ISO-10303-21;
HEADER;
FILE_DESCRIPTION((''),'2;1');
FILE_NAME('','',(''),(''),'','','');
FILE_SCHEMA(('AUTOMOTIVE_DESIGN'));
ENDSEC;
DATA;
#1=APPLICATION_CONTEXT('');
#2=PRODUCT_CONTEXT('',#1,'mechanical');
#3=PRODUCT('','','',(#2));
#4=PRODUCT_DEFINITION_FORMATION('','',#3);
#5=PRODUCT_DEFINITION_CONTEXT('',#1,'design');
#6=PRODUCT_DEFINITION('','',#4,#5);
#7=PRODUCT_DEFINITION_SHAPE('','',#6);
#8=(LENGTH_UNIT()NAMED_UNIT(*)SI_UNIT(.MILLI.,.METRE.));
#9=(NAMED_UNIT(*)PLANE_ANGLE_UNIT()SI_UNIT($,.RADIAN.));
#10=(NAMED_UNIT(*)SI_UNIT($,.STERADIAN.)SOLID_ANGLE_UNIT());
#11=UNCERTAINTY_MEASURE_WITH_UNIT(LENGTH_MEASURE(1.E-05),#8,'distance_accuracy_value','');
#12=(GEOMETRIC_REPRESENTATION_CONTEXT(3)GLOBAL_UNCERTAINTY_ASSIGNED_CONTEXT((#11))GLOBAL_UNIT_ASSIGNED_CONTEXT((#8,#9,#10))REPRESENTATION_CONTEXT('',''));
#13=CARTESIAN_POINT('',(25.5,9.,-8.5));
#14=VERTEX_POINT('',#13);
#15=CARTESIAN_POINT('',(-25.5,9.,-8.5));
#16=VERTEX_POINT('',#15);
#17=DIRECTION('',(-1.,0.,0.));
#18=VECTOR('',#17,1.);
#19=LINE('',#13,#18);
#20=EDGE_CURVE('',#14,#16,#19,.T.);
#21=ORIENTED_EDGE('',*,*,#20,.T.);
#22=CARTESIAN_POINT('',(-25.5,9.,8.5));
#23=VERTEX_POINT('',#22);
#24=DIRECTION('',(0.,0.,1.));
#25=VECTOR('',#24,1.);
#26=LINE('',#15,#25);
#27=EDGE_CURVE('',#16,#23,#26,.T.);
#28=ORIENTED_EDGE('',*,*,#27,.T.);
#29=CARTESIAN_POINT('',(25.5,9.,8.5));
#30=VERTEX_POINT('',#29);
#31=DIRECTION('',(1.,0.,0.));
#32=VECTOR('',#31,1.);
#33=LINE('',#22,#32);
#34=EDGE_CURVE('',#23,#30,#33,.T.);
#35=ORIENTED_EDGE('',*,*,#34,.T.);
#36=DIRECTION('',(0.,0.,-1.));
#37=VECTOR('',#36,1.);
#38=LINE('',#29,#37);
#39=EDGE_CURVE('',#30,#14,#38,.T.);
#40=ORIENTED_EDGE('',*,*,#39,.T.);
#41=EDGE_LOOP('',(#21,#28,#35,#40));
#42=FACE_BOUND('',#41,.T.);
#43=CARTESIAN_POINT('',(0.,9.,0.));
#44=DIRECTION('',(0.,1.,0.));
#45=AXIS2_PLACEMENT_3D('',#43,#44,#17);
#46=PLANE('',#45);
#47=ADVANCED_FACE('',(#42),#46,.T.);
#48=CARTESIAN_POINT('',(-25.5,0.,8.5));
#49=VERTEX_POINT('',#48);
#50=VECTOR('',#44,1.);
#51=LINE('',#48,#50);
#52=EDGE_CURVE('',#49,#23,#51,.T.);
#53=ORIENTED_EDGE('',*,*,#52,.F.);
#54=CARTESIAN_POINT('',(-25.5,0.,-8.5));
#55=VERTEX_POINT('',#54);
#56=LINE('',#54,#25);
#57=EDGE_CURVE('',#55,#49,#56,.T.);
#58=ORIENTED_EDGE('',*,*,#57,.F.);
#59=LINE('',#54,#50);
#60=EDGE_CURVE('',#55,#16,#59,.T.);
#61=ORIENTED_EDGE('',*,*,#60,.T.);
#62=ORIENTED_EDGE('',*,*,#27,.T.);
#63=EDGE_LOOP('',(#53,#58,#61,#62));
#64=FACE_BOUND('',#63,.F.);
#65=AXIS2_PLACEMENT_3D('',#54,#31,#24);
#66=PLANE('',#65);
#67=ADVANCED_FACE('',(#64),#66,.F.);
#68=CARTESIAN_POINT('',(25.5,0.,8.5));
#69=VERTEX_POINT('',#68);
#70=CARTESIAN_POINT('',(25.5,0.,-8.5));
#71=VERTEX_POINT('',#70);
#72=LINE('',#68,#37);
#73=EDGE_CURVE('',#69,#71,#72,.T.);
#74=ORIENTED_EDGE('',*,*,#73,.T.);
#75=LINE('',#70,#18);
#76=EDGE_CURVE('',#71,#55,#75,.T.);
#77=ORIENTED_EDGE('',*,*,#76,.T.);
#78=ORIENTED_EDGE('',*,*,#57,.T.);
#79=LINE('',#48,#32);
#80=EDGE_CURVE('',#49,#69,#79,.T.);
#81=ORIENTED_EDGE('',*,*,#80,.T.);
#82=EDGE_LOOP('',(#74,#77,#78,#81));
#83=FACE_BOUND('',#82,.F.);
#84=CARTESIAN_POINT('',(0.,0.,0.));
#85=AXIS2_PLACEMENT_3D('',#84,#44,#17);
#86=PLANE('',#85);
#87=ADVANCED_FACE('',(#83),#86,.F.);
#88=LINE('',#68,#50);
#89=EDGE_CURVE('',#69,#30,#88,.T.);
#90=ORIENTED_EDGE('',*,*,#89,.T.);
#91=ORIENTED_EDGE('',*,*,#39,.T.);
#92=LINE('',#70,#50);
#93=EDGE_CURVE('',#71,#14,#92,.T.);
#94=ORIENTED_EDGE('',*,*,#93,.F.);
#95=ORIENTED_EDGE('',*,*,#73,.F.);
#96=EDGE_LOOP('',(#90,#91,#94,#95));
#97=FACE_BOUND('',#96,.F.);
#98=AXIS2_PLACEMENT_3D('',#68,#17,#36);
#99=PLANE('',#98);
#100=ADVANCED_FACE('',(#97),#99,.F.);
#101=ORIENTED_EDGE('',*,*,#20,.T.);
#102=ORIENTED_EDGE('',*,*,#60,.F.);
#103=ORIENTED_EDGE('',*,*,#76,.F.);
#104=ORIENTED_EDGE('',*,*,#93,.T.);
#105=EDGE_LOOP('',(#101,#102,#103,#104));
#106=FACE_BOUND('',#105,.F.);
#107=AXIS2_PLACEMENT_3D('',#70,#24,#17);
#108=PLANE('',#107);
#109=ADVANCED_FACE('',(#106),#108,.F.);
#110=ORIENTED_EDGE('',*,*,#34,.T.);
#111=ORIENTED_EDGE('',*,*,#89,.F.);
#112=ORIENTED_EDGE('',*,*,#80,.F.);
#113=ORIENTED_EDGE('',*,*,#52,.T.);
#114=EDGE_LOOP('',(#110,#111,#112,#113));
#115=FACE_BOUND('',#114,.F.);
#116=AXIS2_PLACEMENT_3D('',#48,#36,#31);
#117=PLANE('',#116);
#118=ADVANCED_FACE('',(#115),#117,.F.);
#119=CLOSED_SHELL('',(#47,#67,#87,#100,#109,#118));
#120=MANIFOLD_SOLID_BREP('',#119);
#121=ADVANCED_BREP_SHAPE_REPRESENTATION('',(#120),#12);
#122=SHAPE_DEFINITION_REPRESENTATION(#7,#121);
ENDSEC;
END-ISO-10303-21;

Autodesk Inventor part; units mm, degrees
ref_plane "YZ Plane" through (0, 0, 0) normal (1, 0, 0) x (0, 1, 0)
ref_plane "XZ Plane" through (0, 0, 0) normal (0, 1, 0) x (-1, 0, 0)
ref_plane "XY Plane" through (0, 0, 0) normal (0, 0, 1) x (1, 0, 0)
sketch "Sketch1" plane through (0, 0, 0) normal (0, 1, 0) x (-1, 0, 0)
  line L0 (25.5, 8.5) -> (-25.5, 8.5)
  line L1 (-25.5, 8.5) -> (-25.5, -8.5)
  line L2 (-25.5, -8.5) -> (25.5, -8.5)
  line L3 (25.5, -8.5) -> (25.5, 8.5)
  line L4 (25.5, 8.5) -> (-25.5, -8.5) construction
  line L5 (-25.5, 8.5) -> (25.5, -8.5) construction
  point P0 (0, 0)
  dimension "d0" = 51
  dimension "d1" = 17
extrude "Extrusion1" add sketch "Sketch1" along normal blind 9
properties part number "Dots"
